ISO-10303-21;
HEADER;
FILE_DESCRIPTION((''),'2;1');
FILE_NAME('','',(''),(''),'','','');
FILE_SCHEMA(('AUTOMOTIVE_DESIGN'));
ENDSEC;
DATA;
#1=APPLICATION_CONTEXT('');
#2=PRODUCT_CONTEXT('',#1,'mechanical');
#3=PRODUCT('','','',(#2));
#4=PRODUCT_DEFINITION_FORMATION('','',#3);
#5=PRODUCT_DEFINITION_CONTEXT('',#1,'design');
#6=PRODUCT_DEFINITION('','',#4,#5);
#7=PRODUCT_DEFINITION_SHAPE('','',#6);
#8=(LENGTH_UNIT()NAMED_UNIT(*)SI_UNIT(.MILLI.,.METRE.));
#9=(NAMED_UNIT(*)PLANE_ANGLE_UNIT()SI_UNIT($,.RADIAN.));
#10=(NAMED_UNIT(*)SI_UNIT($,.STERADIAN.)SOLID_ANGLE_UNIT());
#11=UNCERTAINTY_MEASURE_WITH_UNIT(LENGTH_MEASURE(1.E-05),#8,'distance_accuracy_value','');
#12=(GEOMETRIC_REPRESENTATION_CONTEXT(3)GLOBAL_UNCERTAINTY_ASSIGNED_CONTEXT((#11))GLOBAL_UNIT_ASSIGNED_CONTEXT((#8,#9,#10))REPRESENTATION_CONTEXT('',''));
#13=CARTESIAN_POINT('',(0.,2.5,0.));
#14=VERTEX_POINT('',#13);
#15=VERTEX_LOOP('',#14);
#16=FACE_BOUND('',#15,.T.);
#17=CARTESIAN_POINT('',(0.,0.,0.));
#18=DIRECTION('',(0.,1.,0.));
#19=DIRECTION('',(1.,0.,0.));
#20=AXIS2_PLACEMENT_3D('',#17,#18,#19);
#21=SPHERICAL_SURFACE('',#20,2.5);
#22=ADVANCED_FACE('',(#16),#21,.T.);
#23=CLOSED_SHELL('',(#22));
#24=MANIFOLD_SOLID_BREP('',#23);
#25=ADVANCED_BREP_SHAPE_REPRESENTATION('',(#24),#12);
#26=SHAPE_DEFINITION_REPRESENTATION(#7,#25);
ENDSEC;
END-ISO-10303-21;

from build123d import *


with BuildPart() as part:
    # ｽｹｯﾁ1 → 回転3 (revolve)
    with BuildSketch(Plane.XY):
        with BuildLine():
            Line((0, 2.5), (0, -2.5))
            ThreePointArc((0, -2.5), (2.5, 0), (0, 2.5))
        make_face()
    revolve(axis=Axis((0, 0, 0), (0, 1, 0)))


solid = part.part
